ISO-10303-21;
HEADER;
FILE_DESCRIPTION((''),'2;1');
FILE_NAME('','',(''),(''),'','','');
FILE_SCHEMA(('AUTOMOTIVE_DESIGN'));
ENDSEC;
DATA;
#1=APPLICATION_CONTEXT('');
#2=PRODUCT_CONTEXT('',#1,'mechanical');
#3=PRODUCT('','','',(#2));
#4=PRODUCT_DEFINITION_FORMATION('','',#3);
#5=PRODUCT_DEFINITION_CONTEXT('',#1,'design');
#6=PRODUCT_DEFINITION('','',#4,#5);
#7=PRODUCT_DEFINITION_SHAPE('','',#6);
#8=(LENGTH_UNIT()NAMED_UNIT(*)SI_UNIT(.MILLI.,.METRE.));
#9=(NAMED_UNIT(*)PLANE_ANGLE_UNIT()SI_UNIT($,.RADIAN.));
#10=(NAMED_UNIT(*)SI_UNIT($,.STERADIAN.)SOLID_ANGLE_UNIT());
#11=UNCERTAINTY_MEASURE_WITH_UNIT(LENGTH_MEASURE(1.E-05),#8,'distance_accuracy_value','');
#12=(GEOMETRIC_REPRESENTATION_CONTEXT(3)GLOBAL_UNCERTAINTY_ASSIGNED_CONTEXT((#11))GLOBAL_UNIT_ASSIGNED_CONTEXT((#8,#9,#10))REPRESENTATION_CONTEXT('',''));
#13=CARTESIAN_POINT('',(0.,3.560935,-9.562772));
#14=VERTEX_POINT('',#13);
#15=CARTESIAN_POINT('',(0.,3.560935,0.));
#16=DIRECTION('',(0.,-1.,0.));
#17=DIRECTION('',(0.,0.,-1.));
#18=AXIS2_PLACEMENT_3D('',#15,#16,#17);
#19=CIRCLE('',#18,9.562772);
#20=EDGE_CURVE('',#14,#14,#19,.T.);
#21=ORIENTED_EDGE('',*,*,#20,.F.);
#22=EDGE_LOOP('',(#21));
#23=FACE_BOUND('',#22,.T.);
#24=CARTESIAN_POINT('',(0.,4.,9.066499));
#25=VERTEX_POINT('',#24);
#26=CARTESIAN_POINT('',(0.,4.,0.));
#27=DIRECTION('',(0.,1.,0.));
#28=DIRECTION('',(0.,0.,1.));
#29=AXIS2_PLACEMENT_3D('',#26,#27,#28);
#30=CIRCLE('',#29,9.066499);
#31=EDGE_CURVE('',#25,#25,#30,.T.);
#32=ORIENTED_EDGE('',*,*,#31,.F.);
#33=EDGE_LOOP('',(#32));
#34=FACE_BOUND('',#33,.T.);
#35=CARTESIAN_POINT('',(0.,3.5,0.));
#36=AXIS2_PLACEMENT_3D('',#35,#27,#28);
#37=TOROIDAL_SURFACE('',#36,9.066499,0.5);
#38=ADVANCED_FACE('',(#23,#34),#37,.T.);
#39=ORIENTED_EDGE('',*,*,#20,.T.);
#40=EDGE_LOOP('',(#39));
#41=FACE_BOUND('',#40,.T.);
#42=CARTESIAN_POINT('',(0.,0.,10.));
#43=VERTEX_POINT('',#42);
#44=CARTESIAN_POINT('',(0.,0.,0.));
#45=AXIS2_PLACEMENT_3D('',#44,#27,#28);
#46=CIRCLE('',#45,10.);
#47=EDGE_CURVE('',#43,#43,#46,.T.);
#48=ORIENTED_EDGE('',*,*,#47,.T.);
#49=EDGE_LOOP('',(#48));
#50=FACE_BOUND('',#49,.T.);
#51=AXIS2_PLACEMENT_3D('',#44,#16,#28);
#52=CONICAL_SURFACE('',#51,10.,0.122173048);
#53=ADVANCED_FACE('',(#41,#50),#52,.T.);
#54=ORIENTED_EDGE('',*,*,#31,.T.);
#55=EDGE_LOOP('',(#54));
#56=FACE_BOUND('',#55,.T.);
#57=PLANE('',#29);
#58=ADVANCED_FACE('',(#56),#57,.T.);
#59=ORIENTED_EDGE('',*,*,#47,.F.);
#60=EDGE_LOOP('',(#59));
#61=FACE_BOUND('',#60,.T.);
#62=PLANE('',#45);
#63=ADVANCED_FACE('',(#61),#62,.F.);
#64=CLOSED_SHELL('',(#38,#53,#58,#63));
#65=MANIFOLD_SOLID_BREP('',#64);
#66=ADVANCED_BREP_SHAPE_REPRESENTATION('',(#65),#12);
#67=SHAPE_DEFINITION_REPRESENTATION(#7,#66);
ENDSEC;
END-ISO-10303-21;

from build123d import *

# Parameters (mm, degrees)
SCHIZZO1_R                   = 10
ESTRUSIONE_ESTRUSIONE1_DEPTH = 4
ESTRUSIONE_ESTRUSIONE1_TAPER = 7
RACCORDO1_R                  = 0.5


with BuildPart() as part:
    # Schizzo1 → Estrusione-Estrusione1 (new body)
    with BuildSketch(Plane(origin=(0, 0, 0), x_dir=(1, 0, 0), z_dir=(0, 1, 0))):
        Circle(SCHIZZO1_R)
    extrude(amount=ESTRUSIONE_ESTRUSIONE1_DEPTH, taper=ESTRUSIONE_ESTRUSIONE1_TAPER)

    # Raccordo1
    raccordo1_edges = [part.edges().sort_by_distance(p)[0] for p in [
        (-9.508861756, 4, 0),
    ]]
    fillet(raccordo1_edges, radius=RACCORDO1_R)


solid = part.part
